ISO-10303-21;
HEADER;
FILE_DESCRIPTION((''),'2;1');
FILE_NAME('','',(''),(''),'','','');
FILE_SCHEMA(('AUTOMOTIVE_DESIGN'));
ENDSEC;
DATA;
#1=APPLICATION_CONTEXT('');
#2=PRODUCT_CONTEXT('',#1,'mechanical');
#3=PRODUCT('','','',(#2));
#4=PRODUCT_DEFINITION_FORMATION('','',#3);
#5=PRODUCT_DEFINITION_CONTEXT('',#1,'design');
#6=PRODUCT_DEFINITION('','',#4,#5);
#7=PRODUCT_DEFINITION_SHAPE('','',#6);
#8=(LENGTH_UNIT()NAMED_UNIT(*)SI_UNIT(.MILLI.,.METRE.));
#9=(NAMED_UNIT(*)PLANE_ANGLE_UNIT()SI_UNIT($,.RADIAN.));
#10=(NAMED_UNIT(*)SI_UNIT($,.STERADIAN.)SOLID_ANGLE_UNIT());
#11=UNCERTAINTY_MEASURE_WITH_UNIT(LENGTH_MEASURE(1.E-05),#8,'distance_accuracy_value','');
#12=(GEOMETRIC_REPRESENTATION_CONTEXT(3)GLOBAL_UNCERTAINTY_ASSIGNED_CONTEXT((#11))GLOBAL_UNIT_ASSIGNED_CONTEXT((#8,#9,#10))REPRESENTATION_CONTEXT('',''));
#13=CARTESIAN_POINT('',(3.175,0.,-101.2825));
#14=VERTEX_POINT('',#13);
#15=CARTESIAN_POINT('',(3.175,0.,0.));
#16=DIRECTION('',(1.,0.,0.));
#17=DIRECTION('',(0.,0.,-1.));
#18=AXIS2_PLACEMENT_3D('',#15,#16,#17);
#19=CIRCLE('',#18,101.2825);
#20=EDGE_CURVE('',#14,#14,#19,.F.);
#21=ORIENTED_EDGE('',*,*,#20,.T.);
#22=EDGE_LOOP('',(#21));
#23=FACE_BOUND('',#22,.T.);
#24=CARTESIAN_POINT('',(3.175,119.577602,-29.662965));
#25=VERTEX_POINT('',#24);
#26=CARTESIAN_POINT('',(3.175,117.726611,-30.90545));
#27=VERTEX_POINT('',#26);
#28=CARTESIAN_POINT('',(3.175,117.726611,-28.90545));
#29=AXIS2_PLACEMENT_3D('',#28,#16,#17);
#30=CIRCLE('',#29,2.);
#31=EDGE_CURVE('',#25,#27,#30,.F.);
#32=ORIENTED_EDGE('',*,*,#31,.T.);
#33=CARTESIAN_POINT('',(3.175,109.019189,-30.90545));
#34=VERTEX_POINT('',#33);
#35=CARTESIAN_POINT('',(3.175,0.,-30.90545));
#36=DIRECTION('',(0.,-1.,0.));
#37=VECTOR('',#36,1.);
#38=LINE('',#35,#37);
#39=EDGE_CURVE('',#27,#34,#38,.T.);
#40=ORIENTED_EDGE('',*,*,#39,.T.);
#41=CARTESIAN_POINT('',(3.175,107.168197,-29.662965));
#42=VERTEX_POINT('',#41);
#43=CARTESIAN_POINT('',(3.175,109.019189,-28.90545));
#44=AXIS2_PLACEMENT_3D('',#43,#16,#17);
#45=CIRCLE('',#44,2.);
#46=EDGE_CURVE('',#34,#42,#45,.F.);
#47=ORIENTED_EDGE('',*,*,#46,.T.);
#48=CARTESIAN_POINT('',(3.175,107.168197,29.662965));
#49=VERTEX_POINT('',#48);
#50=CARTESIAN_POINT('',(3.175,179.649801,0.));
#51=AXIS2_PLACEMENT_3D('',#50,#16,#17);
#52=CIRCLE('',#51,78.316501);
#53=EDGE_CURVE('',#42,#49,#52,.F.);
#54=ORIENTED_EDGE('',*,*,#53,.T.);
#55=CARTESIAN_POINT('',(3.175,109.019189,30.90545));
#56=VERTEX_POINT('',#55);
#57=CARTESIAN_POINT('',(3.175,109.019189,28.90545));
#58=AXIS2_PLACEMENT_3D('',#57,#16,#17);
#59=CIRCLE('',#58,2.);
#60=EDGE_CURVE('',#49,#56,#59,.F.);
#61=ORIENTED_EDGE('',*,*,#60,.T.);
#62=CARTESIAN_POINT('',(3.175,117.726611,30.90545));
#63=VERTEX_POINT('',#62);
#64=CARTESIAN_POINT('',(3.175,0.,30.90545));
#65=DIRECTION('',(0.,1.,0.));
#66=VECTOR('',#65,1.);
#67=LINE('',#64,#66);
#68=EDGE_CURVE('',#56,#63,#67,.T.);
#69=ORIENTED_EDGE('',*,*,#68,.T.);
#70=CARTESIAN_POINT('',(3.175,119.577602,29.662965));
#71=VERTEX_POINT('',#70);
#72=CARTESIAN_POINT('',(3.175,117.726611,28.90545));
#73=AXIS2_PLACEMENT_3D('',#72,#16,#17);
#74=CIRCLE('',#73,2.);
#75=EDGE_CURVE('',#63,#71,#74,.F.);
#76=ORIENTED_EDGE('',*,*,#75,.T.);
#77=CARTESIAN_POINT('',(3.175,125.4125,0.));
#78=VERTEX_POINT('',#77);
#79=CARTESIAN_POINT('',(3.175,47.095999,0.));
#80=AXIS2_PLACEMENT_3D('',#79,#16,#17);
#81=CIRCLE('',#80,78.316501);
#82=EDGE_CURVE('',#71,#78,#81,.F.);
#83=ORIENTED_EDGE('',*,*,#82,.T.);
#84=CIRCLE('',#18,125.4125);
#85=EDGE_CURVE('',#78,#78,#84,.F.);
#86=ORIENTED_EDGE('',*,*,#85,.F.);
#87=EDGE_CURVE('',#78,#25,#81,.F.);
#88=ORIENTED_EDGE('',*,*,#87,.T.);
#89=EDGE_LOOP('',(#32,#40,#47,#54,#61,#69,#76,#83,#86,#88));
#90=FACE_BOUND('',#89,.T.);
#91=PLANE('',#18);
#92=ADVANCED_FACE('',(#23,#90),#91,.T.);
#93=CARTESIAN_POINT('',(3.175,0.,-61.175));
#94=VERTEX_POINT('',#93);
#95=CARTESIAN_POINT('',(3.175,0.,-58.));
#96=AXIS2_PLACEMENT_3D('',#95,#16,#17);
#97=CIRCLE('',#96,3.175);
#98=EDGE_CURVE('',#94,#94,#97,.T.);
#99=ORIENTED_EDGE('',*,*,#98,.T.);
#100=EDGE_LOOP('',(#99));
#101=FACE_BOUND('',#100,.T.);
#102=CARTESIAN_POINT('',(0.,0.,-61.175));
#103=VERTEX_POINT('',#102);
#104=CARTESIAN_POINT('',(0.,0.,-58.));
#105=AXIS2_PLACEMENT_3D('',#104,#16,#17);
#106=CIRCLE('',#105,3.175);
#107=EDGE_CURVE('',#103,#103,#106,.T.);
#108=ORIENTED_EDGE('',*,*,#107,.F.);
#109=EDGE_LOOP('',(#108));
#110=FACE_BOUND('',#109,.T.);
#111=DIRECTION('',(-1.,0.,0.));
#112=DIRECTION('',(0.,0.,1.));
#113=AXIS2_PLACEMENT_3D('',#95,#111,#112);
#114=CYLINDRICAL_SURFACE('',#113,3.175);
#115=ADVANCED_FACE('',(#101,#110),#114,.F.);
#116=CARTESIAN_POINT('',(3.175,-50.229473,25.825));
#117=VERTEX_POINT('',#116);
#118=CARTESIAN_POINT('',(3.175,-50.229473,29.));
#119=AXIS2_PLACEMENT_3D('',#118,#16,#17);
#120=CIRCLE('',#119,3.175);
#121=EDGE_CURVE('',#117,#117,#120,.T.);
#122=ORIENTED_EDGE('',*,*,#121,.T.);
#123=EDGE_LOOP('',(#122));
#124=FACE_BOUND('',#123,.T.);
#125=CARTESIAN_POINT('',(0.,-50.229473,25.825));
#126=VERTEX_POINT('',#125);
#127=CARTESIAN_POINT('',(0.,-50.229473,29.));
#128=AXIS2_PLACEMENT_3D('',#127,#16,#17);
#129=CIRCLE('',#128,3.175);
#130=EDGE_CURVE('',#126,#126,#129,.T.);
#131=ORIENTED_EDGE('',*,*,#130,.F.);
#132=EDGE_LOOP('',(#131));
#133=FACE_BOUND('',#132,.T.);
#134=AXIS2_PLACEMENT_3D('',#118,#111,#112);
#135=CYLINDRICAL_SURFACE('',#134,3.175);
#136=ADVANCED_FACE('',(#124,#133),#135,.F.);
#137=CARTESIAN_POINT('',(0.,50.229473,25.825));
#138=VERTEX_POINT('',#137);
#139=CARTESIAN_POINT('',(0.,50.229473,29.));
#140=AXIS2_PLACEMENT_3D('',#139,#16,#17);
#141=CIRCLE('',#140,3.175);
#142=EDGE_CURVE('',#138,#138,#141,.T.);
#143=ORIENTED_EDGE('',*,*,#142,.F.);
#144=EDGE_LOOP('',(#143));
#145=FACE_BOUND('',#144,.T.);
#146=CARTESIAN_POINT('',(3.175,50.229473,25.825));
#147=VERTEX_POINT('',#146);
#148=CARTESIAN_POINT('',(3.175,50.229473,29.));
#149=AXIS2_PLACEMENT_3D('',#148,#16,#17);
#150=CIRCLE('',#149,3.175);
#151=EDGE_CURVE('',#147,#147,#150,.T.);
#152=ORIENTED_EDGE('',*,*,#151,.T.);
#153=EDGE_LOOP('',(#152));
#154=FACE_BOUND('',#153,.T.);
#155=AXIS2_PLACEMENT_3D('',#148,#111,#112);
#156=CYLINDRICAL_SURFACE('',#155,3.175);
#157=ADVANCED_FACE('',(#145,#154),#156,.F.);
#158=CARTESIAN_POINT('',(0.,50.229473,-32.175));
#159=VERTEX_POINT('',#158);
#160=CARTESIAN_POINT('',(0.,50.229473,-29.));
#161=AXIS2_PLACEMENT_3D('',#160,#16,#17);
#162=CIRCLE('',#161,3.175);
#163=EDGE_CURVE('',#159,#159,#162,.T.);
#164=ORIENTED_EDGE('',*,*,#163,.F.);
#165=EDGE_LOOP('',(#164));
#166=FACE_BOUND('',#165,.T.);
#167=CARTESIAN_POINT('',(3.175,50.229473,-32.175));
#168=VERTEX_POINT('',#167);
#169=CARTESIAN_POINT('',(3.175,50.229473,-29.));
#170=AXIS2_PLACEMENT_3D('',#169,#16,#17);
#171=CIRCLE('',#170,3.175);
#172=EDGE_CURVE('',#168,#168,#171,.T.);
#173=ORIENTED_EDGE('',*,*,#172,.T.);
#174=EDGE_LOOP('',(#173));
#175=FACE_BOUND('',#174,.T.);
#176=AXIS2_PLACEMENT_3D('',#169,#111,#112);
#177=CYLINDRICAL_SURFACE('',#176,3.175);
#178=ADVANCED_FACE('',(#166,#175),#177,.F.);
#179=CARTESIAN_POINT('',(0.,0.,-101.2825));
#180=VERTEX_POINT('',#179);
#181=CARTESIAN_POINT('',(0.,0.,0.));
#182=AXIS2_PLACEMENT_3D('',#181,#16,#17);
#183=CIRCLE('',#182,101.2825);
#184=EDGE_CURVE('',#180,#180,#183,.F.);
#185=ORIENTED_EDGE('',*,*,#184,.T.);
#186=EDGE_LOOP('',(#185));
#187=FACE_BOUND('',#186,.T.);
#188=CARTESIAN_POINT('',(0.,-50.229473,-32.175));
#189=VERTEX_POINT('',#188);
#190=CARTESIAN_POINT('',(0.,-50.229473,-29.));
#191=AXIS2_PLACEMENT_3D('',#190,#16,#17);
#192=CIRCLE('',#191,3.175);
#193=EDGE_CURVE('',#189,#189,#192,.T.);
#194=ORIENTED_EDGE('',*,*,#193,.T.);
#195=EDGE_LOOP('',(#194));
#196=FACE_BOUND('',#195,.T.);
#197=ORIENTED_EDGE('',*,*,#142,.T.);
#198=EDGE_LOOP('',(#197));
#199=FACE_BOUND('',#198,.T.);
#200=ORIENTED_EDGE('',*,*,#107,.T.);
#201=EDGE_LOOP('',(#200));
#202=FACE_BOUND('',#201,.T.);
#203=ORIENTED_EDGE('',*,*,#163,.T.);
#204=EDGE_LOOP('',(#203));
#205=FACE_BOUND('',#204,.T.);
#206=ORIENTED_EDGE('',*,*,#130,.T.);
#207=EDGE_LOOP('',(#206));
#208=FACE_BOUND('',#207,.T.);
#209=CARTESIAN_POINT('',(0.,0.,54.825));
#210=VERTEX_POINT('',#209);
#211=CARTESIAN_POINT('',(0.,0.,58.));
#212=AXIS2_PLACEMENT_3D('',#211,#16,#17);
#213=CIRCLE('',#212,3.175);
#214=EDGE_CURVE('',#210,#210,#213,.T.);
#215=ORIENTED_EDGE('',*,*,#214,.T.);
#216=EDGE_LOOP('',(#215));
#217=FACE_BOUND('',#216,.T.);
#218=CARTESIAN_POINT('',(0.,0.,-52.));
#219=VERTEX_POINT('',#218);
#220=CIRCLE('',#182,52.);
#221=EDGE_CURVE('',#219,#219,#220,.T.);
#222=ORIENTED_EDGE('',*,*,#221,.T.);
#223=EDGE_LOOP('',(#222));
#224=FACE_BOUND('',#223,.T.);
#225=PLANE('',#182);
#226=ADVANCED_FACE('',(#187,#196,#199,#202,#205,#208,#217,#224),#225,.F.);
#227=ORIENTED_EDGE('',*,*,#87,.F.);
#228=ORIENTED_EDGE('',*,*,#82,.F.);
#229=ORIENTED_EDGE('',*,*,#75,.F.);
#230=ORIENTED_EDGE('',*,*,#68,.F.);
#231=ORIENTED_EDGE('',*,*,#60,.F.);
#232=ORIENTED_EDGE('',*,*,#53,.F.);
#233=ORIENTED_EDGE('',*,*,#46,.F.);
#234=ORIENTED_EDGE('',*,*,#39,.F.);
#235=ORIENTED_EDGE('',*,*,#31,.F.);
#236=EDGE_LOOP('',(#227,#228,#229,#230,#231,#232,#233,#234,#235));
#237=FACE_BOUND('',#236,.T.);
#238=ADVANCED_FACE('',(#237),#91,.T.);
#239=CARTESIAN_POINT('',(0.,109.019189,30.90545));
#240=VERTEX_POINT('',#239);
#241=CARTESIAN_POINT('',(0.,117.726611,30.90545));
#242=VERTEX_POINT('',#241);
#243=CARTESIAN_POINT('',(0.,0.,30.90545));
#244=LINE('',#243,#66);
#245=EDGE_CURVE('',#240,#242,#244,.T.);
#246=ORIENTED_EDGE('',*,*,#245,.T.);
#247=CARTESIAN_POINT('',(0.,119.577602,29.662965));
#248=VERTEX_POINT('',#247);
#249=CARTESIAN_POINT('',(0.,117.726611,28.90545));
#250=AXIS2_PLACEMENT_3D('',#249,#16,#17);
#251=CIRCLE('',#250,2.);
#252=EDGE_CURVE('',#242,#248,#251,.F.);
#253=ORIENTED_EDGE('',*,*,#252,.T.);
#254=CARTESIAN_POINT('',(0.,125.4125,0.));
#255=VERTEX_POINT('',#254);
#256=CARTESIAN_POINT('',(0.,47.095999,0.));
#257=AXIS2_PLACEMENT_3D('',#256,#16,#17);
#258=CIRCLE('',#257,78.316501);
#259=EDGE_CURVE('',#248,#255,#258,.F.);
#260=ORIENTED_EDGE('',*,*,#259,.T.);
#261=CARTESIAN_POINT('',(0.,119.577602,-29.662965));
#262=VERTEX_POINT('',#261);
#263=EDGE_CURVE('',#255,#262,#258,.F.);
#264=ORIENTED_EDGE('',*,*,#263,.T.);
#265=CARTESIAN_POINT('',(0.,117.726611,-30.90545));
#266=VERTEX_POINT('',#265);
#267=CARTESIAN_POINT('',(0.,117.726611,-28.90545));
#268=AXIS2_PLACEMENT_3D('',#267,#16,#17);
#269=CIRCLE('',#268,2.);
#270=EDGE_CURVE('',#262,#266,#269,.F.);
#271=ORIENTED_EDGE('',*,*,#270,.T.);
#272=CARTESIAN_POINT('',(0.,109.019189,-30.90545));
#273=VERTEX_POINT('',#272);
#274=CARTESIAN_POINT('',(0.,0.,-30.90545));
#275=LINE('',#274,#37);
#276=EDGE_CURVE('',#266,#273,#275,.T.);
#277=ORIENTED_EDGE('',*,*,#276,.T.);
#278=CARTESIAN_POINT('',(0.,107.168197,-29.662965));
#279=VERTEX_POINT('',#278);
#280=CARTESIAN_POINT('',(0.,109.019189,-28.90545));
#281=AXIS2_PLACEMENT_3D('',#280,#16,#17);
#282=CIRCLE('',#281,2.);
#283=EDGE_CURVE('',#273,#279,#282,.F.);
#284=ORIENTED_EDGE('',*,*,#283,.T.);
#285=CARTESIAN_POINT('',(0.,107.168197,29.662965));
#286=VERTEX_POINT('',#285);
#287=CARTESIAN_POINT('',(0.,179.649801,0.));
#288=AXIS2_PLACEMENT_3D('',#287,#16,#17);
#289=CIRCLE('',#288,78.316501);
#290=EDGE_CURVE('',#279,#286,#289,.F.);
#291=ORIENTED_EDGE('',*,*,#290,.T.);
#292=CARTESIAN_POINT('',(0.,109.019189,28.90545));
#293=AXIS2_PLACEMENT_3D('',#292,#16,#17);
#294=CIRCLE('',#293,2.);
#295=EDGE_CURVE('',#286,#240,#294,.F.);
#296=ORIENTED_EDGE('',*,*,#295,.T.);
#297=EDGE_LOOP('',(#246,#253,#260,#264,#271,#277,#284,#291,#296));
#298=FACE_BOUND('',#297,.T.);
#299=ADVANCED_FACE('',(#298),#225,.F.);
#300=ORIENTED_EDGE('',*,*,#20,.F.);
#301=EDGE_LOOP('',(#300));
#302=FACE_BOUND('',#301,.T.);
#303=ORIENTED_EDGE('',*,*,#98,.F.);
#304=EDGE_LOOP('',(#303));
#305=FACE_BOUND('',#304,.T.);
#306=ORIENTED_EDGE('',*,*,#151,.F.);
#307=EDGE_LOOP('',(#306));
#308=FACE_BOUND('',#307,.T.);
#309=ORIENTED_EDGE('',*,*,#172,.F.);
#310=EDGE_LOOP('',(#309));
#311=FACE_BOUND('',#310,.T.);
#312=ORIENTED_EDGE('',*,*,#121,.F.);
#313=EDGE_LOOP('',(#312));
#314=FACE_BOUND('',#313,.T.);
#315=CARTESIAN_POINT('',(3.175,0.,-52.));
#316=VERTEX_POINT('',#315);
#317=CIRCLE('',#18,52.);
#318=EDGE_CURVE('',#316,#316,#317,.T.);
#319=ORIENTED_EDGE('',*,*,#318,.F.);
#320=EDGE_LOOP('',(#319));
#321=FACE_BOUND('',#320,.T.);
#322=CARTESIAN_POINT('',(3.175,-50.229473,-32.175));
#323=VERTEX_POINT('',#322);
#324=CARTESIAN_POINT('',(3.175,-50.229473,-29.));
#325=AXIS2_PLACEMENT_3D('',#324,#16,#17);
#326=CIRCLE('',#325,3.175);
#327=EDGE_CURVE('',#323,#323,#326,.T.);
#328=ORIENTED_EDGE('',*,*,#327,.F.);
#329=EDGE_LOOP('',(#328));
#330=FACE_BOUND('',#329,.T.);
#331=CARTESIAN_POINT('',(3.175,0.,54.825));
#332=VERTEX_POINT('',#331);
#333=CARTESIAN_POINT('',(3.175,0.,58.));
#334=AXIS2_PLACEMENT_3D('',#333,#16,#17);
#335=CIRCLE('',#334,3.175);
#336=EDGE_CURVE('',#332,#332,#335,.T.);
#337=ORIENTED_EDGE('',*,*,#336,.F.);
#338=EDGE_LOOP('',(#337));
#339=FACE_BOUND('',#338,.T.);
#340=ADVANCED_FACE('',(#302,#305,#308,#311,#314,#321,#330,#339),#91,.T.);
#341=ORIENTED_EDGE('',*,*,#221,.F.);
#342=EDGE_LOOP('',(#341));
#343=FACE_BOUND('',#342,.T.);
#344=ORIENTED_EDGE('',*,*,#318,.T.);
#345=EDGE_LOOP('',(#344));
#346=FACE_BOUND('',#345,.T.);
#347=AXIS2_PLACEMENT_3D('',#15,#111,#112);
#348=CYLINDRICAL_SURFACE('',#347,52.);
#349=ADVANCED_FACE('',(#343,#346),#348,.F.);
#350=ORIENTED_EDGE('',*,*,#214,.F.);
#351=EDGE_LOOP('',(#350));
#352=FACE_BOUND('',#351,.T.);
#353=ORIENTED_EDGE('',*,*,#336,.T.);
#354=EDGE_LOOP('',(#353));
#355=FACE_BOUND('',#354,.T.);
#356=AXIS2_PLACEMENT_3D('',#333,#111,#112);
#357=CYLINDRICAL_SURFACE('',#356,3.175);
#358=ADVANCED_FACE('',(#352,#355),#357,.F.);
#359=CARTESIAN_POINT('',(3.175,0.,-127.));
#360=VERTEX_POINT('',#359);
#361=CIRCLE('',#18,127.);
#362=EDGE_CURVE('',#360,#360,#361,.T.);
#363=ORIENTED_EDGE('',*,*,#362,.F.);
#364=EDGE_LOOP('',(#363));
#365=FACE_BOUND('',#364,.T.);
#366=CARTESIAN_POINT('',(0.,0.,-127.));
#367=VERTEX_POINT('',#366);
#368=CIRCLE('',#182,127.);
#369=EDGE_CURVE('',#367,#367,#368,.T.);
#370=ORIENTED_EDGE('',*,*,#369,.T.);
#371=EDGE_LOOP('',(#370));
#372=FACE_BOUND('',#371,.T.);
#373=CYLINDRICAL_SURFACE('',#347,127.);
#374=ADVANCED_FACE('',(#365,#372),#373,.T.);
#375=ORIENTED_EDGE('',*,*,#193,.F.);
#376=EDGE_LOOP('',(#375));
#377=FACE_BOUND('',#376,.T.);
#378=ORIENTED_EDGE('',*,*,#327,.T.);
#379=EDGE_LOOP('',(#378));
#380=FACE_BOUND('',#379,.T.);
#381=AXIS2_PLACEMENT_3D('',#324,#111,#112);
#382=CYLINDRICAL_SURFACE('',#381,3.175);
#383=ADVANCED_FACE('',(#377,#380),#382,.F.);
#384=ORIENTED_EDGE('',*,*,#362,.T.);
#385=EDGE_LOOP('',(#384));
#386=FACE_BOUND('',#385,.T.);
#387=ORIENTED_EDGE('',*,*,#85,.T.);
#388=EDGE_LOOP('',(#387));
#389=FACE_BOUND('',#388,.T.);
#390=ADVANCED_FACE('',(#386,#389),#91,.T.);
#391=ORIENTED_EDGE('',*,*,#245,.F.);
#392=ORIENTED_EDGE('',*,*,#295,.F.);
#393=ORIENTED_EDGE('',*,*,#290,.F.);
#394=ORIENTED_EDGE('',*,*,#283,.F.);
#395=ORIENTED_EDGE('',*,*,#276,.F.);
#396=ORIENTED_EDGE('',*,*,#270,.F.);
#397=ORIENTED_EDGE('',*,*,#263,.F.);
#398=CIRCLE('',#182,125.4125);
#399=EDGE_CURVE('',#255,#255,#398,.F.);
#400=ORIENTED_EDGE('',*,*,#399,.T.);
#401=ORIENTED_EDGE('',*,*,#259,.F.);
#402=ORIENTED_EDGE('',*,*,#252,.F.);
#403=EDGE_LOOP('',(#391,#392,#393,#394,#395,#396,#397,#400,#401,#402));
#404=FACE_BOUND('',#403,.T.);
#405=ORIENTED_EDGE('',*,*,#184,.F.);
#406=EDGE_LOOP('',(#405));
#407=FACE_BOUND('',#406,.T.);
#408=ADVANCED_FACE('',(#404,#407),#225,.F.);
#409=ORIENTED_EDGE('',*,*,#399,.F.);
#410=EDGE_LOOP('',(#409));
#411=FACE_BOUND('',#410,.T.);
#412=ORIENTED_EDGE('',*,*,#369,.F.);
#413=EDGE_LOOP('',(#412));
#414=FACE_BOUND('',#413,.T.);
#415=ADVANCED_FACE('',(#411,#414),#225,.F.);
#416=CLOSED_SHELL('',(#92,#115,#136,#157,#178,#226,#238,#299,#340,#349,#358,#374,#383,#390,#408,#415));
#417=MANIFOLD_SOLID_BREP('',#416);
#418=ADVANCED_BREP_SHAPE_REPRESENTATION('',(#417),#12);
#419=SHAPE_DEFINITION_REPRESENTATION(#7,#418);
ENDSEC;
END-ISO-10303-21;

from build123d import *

# Parameters (mm, degrees)
SKETCH1_R           = 127
SKETCH1_R_2         = 3.175
BOSS_EXTRUDE1_DEPTH = 3.175


with BuildPart() as part:
    # Sketch1 → Boss-Extrude1 (new body)
    with BuildSketch(Plane(origin=(0, 0, 0), x_dir=(0, 0, -1), z_dir=(1, 0, 0))):
        Circle(SKETCH1_R)
        with Locations((-29, -50.229473419)):
            Circle(SKETCH1_R_2, mode=Mode.SUBTRACT)
        with Locations((29, -50.229473419)):
            Circle(SKETCH1_R_2, mode=Mode.SUBTRACT)
        with Locations((-58, 0)):
            Circle(SKETCH1_R_2, mode=Mode.SUBTRACT)
        with Locations((-29, 50.229473419)):
            Circle(SKETCH1_R_2, mode=Mode.SUBTRACT)
        with BuildLine():
            ThreePointArc((26, 45.033320997), (45.033320997, 26), (52, 0))
            ThreePointArc((52, 0), (-45.033320997, -26), (26, 45.033320997))
        make_face(mode=Mode.SUBTRACT)
        with Locations((58, 0)):
            Circle(SKETCH1_R_2, mode=Mode.SUBTRACT)
        with Locations((29, 50.229473419)):
            Circle(SKETCH1_R_2, mode=Mode.SUBTRACT)
    extrude(amount=BOSS_EXTRUDE1_DEPTH)


solid = part.part
